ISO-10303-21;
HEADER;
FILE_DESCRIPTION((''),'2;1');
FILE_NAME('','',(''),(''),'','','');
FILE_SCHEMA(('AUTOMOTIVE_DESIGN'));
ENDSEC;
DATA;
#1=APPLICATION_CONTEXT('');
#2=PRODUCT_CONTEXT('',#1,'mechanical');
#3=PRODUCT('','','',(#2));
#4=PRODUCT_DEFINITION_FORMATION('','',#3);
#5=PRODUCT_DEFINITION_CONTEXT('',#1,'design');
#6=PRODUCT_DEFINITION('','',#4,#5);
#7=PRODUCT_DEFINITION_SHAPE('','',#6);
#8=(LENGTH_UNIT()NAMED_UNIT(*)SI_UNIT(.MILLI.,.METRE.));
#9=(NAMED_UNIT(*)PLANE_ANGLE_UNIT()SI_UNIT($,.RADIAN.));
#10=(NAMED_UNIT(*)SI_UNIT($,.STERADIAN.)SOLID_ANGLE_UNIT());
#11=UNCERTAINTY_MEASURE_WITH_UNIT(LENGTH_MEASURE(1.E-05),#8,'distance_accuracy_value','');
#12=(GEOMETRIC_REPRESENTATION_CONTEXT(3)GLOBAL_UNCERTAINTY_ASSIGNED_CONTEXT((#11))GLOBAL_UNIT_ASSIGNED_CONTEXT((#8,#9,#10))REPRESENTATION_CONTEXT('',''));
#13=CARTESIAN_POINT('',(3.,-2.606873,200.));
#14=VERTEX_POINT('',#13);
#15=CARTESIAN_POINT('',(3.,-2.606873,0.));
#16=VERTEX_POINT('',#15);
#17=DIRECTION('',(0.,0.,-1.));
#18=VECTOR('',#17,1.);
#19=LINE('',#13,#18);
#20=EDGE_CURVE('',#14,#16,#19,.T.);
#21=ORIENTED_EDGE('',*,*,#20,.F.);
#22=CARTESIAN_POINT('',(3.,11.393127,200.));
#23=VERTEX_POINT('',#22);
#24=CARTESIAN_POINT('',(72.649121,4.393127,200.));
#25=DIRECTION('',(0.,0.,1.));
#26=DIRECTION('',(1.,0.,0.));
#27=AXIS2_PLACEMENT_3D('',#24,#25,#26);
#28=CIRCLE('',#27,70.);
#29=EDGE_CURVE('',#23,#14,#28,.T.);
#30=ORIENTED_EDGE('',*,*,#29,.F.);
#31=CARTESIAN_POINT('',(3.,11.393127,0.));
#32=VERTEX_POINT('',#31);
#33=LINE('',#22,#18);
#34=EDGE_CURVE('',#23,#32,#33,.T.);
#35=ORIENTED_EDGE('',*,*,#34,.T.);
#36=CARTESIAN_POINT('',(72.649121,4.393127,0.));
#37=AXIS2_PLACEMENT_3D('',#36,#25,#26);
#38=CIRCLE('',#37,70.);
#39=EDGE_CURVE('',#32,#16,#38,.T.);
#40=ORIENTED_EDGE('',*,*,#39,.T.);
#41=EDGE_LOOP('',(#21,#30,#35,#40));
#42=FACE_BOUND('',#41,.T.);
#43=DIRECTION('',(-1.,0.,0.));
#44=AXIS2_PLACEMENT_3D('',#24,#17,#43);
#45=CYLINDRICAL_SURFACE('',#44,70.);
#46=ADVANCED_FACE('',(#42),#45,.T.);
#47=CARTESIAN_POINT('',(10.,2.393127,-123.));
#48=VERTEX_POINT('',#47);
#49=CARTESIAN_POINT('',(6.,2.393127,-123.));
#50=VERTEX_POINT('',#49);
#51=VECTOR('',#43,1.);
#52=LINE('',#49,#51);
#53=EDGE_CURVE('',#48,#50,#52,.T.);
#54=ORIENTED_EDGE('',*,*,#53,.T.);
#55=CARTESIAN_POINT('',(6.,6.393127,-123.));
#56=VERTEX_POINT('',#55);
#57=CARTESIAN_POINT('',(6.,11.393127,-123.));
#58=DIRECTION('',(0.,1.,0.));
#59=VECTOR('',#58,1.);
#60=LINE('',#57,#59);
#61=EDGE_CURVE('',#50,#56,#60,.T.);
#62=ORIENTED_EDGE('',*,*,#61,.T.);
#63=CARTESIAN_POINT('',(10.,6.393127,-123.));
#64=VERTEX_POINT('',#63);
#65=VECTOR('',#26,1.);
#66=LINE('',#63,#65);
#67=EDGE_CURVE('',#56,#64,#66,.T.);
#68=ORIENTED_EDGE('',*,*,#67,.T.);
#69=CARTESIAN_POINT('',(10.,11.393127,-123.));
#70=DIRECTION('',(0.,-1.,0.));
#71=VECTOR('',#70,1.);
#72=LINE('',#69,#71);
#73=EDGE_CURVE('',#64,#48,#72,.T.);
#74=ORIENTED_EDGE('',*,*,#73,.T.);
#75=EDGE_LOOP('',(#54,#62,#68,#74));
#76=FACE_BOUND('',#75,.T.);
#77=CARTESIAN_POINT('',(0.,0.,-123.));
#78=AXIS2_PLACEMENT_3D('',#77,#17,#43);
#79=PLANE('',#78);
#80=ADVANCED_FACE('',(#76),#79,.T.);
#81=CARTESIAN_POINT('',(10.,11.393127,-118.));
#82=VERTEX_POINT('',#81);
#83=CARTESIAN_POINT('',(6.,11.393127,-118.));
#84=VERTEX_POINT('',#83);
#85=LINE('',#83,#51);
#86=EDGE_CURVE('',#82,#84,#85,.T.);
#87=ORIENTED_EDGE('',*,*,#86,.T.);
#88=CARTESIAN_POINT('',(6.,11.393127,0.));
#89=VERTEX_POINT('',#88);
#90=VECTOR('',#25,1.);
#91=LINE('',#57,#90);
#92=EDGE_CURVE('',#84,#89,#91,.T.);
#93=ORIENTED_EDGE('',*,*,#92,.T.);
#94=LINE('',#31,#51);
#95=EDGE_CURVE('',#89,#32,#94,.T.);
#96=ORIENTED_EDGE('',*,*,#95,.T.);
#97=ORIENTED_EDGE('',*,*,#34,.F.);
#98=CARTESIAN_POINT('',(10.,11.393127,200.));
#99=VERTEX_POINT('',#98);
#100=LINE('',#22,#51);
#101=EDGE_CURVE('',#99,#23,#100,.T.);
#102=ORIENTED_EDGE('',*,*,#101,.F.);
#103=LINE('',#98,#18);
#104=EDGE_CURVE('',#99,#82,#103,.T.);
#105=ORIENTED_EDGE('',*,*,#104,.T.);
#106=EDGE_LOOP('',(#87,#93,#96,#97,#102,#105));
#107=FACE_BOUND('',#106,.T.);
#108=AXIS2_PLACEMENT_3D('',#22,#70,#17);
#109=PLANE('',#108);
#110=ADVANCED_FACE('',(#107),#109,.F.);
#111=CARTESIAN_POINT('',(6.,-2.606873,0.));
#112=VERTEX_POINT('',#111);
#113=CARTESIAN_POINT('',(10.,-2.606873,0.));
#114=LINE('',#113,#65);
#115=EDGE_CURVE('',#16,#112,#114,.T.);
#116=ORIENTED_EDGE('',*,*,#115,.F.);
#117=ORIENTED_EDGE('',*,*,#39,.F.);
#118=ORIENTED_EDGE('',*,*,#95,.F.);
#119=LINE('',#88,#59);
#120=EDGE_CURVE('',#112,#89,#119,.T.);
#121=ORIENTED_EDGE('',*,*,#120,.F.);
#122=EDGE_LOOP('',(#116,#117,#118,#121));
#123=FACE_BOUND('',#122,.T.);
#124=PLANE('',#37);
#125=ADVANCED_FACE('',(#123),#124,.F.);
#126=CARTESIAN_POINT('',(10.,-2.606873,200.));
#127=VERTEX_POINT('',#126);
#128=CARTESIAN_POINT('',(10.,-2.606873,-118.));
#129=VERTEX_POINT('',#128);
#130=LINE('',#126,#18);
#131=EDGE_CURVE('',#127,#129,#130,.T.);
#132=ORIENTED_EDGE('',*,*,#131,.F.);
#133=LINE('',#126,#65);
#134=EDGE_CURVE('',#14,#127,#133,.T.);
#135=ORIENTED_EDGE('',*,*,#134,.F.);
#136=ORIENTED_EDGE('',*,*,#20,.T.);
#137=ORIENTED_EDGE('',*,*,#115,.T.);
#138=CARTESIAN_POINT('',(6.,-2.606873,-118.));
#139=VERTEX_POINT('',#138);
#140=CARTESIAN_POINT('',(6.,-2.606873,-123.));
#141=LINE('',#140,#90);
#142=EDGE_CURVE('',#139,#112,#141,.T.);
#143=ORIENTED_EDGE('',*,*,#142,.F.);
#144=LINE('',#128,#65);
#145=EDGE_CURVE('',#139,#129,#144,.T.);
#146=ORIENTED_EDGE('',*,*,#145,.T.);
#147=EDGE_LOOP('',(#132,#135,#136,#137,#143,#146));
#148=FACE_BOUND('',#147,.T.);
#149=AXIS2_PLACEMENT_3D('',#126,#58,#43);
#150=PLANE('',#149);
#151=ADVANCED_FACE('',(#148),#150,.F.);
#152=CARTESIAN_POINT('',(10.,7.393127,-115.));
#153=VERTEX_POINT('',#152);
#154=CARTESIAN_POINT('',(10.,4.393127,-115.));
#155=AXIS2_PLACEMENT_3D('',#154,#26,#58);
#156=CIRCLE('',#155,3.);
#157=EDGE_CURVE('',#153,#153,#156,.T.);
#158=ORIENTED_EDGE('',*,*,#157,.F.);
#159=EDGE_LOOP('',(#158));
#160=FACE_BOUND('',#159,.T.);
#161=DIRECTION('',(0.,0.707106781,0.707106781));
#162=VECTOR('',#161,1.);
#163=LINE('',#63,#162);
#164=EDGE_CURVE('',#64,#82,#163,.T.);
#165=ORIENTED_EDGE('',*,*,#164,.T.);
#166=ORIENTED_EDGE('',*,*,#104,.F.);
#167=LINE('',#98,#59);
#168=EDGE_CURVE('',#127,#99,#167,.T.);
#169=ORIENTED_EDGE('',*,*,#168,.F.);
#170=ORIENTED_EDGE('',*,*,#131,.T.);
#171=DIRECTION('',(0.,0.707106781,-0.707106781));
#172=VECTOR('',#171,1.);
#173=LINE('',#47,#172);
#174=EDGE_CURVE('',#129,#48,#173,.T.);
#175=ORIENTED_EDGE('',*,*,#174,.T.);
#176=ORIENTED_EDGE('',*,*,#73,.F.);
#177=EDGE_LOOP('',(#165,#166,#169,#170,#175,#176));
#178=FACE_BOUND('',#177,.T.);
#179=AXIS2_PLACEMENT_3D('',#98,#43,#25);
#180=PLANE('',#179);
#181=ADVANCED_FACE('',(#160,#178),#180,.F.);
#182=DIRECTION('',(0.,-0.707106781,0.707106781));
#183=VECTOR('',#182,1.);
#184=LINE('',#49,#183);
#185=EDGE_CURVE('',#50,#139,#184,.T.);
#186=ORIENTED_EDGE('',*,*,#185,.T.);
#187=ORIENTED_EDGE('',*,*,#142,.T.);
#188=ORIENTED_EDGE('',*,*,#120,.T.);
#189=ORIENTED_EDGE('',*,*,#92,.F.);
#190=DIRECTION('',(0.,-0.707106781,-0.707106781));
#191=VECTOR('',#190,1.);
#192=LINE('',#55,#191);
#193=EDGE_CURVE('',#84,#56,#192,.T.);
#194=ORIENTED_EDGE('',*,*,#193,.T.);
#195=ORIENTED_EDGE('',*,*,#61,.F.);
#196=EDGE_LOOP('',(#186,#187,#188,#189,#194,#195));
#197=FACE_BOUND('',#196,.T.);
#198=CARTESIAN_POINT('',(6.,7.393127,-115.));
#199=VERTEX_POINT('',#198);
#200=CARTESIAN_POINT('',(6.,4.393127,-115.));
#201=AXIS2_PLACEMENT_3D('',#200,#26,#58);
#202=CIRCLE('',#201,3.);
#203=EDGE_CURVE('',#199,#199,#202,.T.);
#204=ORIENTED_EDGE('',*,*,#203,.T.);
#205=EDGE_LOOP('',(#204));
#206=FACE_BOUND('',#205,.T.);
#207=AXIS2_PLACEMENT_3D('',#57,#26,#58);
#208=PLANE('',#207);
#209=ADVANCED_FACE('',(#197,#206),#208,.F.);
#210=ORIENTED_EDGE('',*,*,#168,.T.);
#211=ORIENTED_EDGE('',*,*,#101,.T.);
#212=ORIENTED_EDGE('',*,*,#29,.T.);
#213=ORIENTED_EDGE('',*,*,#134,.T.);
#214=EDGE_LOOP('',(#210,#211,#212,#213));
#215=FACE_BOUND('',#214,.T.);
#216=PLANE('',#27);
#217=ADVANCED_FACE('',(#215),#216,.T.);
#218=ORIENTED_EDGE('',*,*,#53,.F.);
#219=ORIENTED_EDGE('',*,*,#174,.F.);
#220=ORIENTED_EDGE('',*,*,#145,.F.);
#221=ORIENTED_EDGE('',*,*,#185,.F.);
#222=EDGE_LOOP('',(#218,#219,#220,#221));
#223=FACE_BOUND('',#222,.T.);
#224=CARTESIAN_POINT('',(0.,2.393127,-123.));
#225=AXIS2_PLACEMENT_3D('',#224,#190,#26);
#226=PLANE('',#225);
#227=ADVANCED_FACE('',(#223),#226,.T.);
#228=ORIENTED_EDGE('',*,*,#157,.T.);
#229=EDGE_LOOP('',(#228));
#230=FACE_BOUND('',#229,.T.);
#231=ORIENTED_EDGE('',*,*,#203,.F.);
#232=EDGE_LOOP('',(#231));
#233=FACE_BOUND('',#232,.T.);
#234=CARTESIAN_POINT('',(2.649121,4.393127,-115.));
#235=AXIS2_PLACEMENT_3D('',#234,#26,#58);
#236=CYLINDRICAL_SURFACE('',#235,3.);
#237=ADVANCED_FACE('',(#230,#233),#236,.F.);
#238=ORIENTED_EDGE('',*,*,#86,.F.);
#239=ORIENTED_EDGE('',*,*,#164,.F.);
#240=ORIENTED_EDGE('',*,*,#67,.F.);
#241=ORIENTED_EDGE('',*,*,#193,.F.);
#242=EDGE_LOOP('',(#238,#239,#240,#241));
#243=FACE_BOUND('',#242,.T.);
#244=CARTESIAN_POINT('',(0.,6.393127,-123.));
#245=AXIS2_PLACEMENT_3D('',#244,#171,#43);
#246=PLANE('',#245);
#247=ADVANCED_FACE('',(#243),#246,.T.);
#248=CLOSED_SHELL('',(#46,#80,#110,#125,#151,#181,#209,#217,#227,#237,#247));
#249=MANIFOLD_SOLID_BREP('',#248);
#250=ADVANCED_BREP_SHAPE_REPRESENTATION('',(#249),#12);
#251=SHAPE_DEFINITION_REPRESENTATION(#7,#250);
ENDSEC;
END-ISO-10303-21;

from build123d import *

# Parameters (mm, degrees)
BOSS_EXTRU_1_DEPTH      = 200
ESQUISSE2_W             = 4
ESQUISSE2_H             = 14
BOSS_EXTRU_2_DEPTH      = 123
ESQUISSE3_R             = 3
ENL_V_MAT_EXTRU_1_DEPTH = 201.45907004
CHANFREIN1_SIZE         = 5


with BuildPart() as part:
    # Esquisse1 → Boss.-Extru.1 (new body)
    with BuildSketch(Plane.XY):
        with BuildLine():
            Line((3, 11.393126576), (10, 11.393126576))
            Line((10, 11.393126576), (10, -2.606873424))
            Line((10, -2.606873424), (3, -2.606873424))
            ThreePointArc((3, -2.606873424), (2.649120597, 4.393126576), (3, 11.393126576))
        make_face()
    extrude(amount=BOSS_EXTRU_1_DEPTH)

    # Esquisse2 → Boss.-Extru.2 (add)
    with BuildSketch(Plane(origin=(0, 0, 0), x_dir=(-1, 0, 0), z_dir=(0, 0, -1))):
        with Locations((-8, 4.393126576)):
            Rectangle(ESQUISSE2_W, ESQUISSE2_H)
    extrude(amount=BOSS_EXTRU_2_DEPTH)

    # Esquisse3 → Enlèv. mat.-Extru.1 (cut, through all)
    with BuildSketch(Plane(origin=(10, 0, 0), x_dir=(0, 0, -1), z_dir=(1, 0, 0))):
        with Locations(Location((115, 4.393126576, 0), (0, 0, 90))):
            Circle(ESQUISSE3_R)
    extrude(amount=-ENL_V_MAT_EXTRU_1_DEPTH, mode=Mode.SUBTRACT)

    # Chanfrein1
    chanfrein1_edges = [part.edges().sort_by_distance(p)[0] for p in [
        (8, -2.606873424, -123),
        (8, 11.393126576, -123),
    ]]
    chamfer(chanfrein1_edges, length=CHANFREIN1_SIZE)


solid = part.part
